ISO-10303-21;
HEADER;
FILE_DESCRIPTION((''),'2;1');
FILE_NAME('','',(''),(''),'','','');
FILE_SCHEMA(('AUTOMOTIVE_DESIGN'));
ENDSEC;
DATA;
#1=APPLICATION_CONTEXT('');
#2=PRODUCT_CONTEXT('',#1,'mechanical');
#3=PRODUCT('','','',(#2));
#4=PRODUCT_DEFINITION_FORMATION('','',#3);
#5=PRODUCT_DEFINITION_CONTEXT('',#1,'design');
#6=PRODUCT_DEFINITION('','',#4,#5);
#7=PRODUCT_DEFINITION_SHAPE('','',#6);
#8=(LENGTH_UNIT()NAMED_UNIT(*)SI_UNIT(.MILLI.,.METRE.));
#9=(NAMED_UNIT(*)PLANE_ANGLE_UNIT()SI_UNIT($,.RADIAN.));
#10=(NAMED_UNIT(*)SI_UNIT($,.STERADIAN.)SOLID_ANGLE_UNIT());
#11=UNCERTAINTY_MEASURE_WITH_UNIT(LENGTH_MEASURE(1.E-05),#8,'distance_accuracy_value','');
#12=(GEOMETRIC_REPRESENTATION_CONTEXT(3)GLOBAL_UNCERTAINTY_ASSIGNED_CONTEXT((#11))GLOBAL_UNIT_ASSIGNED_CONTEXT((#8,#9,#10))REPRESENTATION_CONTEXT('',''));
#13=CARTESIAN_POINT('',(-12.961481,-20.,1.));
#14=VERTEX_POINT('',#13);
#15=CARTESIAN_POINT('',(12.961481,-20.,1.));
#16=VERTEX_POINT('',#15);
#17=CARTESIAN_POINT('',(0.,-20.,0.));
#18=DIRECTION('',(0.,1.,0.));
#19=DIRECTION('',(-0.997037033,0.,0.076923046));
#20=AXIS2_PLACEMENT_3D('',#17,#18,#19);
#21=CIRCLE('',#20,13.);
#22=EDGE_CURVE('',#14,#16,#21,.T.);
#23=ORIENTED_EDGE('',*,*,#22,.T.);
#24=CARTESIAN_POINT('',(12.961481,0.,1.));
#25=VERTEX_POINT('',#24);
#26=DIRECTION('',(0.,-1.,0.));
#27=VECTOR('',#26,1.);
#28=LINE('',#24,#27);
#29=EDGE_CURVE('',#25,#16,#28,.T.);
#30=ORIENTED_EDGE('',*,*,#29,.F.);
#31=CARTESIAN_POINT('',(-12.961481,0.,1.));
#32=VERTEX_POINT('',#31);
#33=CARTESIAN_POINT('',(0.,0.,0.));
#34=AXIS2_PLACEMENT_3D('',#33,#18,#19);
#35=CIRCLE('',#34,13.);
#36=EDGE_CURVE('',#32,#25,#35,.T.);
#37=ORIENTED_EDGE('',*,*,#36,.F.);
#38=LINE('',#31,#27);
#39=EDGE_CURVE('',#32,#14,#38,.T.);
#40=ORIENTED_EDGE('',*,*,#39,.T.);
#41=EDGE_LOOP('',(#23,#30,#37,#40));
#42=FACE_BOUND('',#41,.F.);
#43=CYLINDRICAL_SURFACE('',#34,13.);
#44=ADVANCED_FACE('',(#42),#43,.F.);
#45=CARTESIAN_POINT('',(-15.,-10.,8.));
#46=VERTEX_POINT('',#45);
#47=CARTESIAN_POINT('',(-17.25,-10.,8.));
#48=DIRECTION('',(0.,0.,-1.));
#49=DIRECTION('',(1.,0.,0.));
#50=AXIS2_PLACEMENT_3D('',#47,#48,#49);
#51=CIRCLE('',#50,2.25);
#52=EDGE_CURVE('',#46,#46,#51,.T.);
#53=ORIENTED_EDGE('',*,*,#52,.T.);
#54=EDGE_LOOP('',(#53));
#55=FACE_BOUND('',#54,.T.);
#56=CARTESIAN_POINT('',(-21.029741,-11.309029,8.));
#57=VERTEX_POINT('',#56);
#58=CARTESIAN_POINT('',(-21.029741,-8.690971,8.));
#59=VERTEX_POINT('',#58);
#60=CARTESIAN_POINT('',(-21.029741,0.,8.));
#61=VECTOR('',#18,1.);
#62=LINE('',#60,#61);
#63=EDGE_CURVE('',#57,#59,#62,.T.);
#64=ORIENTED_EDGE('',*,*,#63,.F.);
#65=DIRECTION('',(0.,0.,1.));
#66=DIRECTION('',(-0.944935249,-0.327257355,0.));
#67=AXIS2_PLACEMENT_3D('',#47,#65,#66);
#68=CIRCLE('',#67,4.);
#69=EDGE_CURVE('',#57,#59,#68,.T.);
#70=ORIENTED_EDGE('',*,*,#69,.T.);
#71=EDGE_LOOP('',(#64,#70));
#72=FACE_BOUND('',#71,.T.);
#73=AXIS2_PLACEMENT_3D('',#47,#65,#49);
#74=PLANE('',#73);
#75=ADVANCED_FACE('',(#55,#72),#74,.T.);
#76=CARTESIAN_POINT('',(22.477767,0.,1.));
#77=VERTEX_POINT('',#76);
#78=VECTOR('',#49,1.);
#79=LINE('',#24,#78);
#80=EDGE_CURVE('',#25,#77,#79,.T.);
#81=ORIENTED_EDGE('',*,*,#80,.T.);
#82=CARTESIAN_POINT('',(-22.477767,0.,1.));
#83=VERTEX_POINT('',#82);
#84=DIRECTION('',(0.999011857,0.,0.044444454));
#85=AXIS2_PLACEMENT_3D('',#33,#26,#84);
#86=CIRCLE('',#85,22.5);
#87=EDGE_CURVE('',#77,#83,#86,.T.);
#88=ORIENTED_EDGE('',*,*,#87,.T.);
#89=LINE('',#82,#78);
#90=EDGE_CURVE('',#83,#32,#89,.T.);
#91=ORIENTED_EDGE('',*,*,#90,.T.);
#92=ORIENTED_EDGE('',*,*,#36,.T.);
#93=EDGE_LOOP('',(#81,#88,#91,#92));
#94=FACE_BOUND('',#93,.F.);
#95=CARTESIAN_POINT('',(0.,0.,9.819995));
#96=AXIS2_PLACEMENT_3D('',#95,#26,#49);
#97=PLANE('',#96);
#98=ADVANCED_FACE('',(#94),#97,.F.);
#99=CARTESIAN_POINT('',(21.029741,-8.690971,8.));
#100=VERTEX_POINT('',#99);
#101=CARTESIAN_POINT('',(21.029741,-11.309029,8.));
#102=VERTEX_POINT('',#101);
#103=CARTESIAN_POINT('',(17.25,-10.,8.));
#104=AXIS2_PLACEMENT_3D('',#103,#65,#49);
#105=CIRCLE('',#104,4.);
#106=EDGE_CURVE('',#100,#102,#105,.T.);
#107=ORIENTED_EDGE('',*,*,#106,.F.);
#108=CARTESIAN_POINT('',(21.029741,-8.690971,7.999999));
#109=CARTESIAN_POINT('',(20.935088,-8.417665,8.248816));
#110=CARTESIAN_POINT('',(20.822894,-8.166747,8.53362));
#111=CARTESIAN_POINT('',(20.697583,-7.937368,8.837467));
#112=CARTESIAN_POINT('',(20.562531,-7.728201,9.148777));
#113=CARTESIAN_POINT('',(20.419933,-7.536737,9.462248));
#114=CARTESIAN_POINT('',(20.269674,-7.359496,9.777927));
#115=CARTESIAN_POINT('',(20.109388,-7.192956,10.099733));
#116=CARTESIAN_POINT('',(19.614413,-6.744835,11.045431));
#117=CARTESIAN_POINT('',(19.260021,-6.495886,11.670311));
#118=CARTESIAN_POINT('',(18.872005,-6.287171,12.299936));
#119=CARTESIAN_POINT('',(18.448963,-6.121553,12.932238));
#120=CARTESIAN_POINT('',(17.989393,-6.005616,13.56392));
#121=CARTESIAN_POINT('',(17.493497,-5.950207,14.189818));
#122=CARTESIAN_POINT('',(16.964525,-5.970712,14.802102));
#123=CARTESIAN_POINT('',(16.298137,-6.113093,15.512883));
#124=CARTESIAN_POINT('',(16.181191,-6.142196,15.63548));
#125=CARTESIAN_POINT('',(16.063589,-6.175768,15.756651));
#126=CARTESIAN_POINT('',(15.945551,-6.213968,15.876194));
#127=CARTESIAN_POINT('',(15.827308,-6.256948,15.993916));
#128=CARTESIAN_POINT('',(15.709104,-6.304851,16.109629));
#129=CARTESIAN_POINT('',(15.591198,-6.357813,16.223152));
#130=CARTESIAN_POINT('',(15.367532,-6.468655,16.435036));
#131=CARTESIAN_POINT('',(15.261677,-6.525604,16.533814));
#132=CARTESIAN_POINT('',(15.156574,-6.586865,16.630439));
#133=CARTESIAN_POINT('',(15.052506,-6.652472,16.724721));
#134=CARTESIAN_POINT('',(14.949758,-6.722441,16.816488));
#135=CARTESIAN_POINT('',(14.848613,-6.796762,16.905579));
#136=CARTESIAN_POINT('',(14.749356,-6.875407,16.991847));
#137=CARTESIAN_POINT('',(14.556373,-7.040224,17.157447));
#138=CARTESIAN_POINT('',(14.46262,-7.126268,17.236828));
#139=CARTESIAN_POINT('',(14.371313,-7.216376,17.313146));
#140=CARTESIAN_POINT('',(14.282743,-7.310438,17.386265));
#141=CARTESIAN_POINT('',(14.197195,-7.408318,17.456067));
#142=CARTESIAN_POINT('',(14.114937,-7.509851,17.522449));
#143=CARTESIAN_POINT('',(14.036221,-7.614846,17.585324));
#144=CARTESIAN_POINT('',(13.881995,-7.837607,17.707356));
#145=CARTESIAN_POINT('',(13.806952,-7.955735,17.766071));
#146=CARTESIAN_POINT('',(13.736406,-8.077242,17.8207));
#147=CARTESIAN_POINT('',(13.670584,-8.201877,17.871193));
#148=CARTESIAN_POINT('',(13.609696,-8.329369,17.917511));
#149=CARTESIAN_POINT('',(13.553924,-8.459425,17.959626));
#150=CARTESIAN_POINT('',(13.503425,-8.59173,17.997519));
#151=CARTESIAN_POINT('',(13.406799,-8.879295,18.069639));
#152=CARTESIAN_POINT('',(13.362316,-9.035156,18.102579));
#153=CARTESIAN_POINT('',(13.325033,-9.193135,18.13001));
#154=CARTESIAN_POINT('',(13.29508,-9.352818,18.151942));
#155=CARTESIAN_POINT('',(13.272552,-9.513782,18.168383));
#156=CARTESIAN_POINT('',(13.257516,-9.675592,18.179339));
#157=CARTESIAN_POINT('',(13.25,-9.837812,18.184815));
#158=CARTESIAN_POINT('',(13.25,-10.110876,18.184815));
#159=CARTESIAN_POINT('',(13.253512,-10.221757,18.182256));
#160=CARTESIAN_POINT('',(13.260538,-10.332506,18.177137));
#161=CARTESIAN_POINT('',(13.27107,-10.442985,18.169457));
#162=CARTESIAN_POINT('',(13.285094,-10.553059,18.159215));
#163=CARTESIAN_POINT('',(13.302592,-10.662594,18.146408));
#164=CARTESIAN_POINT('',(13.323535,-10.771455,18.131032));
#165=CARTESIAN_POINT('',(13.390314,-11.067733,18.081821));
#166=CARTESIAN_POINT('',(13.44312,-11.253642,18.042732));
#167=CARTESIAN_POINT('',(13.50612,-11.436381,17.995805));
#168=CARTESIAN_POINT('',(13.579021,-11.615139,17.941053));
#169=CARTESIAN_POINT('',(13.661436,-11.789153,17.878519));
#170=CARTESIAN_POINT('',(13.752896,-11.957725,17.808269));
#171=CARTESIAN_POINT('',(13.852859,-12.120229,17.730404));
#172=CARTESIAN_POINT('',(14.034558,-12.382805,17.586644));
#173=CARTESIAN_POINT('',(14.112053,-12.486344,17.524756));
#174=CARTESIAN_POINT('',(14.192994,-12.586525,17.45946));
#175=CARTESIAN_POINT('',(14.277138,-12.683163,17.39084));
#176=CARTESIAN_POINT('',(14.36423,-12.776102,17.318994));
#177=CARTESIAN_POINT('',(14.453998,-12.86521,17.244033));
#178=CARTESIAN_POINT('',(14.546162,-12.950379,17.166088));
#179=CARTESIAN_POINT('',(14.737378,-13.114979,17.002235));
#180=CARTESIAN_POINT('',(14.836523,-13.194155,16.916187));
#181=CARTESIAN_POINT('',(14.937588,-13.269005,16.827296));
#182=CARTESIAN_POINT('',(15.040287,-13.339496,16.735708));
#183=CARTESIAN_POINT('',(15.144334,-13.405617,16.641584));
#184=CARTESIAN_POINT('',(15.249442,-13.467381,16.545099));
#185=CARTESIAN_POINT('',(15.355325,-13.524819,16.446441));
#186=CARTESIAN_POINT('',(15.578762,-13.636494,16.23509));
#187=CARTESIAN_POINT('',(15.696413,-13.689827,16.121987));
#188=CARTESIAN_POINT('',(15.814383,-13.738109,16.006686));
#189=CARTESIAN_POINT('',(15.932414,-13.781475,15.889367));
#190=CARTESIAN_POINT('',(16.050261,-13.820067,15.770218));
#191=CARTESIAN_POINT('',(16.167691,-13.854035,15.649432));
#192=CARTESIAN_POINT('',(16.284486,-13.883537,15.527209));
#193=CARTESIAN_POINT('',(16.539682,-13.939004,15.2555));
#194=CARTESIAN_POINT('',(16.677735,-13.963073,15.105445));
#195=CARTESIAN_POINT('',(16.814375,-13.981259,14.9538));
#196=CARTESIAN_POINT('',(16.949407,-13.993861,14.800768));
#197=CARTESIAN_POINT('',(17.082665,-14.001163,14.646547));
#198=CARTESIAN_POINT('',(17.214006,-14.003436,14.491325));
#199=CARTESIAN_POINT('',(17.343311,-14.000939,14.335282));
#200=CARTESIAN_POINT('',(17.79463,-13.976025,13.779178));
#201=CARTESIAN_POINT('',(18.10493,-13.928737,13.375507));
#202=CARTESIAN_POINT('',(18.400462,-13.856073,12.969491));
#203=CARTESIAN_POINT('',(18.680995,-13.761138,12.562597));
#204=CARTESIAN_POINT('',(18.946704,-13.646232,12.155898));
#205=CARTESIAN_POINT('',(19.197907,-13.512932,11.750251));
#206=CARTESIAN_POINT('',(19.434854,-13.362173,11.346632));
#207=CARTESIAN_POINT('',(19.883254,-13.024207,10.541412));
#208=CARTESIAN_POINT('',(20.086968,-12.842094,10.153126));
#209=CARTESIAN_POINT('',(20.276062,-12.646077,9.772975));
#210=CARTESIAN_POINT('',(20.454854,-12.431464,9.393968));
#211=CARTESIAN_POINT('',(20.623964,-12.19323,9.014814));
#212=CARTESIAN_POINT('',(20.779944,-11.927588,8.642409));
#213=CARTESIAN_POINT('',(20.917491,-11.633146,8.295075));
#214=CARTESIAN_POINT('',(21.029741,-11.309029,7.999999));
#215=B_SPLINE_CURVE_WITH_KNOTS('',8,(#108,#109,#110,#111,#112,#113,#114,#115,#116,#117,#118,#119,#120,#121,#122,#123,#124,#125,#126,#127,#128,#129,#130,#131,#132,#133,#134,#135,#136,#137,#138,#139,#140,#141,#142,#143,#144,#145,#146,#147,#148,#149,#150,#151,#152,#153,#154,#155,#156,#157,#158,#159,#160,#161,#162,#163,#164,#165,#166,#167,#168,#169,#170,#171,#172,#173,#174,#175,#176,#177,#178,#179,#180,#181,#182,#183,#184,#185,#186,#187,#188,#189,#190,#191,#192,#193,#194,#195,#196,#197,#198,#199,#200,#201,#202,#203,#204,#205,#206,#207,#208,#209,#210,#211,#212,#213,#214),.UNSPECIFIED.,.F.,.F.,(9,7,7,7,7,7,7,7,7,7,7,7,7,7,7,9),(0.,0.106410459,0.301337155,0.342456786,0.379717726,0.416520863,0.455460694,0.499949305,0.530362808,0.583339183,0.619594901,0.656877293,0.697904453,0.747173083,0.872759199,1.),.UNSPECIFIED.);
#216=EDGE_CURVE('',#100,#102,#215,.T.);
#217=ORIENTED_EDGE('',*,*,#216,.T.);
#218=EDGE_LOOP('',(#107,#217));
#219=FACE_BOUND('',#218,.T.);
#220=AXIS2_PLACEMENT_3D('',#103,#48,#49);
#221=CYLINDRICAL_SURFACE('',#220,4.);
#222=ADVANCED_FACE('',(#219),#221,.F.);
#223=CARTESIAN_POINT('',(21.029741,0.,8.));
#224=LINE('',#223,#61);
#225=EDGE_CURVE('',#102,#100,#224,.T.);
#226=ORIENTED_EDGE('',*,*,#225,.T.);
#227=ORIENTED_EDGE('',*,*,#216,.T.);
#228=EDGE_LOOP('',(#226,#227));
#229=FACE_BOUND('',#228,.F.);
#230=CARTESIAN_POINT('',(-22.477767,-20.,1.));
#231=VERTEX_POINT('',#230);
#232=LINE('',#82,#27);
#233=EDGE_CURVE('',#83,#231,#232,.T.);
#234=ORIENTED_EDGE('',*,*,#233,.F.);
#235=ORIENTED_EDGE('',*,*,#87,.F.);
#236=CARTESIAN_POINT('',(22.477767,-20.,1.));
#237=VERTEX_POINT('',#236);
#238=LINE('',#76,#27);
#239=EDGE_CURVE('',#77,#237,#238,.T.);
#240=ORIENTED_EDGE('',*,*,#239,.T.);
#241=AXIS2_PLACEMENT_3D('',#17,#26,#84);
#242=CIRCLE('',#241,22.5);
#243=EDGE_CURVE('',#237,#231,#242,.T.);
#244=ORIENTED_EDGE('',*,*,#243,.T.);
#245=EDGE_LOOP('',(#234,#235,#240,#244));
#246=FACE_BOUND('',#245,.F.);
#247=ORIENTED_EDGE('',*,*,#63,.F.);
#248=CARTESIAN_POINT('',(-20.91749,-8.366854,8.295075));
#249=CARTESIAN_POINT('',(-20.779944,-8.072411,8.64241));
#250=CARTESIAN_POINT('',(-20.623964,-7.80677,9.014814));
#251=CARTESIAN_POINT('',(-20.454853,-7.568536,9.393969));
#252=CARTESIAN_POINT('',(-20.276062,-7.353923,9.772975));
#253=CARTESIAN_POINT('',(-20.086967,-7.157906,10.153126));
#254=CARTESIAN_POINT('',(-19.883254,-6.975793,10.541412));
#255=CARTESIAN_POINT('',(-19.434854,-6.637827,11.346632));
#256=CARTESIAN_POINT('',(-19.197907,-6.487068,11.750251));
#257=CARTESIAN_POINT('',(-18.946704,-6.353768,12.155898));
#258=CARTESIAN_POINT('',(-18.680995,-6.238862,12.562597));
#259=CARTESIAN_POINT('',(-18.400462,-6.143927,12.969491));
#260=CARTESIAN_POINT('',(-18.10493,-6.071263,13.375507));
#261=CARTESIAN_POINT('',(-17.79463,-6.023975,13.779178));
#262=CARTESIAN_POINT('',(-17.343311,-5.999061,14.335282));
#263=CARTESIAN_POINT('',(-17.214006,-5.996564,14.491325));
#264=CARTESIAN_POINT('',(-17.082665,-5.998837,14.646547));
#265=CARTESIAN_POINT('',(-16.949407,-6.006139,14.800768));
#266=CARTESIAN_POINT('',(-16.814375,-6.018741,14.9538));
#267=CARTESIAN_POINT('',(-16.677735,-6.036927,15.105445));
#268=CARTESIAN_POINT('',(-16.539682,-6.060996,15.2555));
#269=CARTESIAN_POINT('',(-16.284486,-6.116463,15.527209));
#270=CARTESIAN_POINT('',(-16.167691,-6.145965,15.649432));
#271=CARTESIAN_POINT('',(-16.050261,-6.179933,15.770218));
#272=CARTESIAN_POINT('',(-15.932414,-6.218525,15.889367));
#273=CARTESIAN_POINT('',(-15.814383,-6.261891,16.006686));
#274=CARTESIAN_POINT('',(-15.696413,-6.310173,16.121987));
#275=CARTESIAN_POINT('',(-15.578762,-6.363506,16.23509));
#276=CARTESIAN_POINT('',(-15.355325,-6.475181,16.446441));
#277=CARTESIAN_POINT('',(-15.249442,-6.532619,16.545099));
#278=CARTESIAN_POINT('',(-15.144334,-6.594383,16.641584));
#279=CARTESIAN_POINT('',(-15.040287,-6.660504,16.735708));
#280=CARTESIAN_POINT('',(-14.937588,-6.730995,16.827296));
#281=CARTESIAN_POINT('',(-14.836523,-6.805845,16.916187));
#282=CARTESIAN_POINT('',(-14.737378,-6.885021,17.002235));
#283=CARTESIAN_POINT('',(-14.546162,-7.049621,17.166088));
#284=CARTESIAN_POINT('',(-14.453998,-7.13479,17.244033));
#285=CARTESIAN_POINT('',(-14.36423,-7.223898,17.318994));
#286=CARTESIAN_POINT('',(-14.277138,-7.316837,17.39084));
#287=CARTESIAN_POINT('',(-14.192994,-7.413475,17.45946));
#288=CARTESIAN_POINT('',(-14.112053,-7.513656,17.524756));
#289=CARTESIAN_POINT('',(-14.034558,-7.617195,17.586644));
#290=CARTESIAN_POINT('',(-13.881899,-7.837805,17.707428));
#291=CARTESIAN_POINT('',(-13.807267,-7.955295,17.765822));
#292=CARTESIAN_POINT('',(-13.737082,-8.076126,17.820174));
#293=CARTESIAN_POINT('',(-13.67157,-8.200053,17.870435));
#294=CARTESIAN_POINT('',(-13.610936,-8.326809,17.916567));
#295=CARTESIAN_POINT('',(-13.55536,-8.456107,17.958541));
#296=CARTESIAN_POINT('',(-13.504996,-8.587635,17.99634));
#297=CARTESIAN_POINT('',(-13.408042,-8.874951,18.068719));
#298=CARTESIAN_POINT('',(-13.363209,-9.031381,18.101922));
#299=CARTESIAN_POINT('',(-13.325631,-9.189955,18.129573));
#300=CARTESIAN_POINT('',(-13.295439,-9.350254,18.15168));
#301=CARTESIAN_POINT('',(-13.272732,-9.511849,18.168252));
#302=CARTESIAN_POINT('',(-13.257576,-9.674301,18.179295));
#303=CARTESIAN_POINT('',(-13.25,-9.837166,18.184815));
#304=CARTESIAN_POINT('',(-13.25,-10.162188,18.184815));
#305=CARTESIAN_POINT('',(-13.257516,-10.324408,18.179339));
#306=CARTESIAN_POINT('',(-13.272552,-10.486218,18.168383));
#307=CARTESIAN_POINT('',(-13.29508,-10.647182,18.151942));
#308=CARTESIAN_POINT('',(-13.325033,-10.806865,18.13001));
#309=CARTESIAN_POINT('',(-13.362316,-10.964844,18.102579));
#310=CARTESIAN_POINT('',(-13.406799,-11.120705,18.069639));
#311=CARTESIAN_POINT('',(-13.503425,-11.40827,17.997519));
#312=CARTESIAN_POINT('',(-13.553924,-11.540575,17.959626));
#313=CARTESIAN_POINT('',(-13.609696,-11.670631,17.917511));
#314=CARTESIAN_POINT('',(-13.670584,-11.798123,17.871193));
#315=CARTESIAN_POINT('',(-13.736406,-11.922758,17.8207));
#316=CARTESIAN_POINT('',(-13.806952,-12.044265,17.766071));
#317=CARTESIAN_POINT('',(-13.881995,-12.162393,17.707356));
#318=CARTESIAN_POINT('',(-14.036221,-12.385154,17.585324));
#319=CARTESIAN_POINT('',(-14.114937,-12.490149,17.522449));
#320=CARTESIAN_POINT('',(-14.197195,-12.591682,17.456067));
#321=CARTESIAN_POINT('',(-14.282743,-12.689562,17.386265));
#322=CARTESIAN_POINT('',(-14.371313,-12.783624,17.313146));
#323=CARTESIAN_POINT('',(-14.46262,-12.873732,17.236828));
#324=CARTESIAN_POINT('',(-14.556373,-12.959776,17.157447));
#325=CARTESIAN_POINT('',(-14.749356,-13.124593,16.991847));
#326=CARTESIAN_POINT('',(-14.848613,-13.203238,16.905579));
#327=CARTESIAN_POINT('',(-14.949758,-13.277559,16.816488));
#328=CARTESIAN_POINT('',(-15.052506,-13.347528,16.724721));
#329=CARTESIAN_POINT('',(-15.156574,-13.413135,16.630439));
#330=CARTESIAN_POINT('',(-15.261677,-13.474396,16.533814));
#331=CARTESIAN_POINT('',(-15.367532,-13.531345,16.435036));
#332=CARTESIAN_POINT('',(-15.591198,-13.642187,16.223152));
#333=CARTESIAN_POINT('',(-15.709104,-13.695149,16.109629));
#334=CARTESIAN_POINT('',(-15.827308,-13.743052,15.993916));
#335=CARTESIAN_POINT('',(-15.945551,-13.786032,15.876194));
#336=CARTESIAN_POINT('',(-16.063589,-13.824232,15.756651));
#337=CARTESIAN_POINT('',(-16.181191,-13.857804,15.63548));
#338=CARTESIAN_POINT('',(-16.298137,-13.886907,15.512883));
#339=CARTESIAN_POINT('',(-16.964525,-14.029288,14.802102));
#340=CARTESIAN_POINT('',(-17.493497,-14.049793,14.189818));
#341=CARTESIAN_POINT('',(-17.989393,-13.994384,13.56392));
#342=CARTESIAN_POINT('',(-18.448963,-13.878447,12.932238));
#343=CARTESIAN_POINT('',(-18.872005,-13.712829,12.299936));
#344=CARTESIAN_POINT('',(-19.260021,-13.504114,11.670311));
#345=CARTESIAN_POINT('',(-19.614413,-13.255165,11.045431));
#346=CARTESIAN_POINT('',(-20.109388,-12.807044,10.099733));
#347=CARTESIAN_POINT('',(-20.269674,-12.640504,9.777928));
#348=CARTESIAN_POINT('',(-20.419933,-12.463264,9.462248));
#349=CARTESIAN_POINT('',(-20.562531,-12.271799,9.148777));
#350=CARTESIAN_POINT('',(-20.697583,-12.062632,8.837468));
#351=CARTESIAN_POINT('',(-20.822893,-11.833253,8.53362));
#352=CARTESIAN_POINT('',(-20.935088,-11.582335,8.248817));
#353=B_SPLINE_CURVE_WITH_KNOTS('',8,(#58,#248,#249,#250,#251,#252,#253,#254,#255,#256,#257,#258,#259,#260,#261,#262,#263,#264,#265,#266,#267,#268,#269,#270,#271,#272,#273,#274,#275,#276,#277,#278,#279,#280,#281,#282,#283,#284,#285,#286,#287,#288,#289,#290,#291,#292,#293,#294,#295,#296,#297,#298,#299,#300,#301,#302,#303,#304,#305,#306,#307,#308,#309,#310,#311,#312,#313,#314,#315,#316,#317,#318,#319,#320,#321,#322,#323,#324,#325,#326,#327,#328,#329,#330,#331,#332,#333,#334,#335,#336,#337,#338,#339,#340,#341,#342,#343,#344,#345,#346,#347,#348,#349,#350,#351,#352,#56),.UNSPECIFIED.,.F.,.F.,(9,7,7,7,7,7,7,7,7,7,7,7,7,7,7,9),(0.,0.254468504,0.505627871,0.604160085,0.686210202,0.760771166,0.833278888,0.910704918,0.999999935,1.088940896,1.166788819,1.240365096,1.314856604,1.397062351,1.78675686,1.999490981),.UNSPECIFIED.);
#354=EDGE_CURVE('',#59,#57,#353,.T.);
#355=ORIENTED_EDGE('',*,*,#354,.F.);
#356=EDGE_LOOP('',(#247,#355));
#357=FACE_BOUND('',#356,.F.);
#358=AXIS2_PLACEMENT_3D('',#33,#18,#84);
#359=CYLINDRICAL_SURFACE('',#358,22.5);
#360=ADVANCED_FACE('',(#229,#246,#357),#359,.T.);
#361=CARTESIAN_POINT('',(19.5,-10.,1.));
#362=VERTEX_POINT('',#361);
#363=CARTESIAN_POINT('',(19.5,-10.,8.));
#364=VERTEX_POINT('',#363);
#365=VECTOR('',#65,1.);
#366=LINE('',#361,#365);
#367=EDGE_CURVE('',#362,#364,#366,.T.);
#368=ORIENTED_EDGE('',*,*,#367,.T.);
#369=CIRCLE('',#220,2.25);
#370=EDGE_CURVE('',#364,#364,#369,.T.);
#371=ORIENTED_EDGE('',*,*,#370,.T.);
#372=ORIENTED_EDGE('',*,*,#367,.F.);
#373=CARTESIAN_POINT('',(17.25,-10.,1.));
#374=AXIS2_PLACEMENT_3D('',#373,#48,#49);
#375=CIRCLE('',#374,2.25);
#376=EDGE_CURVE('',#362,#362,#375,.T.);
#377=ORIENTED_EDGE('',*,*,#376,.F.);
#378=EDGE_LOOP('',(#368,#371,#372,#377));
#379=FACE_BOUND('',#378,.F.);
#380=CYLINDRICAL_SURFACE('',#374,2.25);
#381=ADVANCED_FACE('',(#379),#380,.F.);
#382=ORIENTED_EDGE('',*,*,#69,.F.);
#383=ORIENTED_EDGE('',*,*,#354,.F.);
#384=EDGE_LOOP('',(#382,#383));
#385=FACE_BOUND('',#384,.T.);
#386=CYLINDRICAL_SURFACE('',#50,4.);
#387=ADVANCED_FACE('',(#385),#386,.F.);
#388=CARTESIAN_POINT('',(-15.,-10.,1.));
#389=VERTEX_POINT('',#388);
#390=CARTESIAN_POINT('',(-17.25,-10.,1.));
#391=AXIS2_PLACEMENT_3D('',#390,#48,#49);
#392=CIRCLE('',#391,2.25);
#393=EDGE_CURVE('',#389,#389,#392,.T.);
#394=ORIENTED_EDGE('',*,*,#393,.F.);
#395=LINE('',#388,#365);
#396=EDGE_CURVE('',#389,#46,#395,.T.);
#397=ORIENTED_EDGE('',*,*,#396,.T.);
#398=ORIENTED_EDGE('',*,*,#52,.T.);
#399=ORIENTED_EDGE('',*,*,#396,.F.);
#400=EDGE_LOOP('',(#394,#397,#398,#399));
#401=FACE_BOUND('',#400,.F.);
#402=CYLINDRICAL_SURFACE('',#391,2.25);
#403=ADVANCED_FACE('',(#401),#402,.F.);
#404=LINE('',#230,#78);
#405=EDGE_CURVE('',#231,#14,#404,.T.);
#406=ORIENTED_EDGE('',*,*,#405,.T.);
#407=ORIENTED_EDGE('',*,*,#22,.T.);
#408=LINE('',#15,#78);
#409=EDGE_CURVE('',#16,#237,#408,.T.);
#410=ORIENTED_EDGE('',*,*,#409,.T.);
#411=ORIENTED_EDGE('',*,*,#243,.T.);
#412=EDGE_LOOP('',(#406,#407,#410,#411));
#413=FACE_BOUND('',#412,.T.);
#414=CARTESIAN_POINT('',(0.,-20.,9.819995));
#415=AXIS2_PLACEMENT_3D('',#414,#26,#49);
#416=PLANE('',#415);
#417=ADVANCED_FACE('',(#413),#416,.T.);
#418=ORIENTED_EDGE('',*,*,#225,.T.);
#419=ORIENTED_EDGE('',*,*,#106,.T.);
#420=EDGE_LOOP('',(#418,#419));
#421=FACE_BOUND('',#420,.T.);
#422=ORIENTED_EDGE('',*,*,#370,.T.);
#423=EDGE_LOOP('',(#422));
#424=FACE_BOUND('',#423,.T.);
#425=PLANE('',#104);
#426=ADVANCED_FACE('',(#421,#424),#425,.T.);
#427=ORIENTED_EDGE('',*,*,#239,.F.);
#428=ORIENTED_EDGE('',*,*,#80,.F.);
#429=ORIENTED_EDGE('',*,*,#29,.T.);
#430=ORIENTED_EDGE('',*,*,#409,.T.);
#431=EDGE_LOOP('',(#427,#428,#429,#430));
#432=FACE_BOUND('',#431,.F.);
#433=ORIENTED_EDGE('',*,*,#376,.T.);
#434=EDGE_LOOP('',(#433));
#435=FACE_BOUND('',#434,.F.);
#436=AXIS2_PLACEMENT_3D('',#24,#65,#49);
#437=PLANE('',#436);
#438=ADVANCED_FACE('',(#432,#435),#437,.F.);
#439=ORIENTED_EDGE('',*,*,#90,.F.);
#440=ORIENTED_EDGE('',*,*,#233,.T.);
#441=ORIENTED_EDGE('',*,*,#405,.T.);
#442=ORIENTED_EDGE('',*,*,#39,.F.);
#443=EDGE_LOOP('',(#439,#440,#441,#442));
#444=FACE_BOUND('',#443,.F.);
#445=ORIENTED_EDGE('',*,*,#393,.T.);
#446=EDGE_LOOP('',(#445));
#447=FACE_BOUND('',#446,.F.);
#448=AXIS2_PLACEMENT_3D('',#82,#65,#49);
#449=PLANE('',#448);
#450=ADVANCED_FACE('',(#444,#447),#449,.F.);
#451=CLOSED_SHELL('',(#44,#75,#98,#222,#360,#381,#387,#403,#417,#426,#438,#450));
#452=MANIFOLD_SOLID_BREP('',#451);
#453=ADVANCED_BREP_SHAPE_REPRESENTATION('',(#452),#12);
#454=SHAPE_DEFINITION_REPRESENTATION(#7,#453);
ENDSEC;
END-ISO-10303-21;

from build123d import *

# Parameters (mm, degrees)
F1_DEPTH = 20
F2_R     = 2.25
F3_DEPTH = 21.501
F5_R     = 4
F6_DEPTH = 14.501


with BuildPart() as f1:
    # F0 (on Front) → F1 (new body)
    with BuildSketch(Plane.XZ):
        with BuildLine():
            ThreePointArc((-12.961481, 1), (0, 13), (12.961481, 1))
            Line((12.961481, 1), (22.477767, 1))
            ThreePointArc((22.477767, 1), (0, 22.5), (-22.477767, 1))
            Line((-22.477767, 1), (-12.961481, 1))
        make_face()
    extrude(amount=F1_DEPTH)

    # F2 (on face) → F3 (cut, through all)
    with BuildSketch(Plane(origin=(0, 0, 1), x_dir=(1, 0, 0), z_dir=(0, 0, -1))):
        with Locations((-17.25, 10)):
            Circle(F2_R)
        with Locations((17.25, 10)):
            Circle(F2_R)
    extrude(amount=-F3_DEPTH, mode=Mode.SUBTRACT)

    # F5 (on offset) → F6 (cut, through all)
    with BuildSketch(Plane.XY.offset(8)):
        with Locations((-17.25, -10)):
            Circle(F5_R)
        with Locations((17.25, -10)):
            Circle(F5_R)
    extrude(amount=F6_DEPTH, mode=Mode.SUBTRACT)


solid = f1.part
